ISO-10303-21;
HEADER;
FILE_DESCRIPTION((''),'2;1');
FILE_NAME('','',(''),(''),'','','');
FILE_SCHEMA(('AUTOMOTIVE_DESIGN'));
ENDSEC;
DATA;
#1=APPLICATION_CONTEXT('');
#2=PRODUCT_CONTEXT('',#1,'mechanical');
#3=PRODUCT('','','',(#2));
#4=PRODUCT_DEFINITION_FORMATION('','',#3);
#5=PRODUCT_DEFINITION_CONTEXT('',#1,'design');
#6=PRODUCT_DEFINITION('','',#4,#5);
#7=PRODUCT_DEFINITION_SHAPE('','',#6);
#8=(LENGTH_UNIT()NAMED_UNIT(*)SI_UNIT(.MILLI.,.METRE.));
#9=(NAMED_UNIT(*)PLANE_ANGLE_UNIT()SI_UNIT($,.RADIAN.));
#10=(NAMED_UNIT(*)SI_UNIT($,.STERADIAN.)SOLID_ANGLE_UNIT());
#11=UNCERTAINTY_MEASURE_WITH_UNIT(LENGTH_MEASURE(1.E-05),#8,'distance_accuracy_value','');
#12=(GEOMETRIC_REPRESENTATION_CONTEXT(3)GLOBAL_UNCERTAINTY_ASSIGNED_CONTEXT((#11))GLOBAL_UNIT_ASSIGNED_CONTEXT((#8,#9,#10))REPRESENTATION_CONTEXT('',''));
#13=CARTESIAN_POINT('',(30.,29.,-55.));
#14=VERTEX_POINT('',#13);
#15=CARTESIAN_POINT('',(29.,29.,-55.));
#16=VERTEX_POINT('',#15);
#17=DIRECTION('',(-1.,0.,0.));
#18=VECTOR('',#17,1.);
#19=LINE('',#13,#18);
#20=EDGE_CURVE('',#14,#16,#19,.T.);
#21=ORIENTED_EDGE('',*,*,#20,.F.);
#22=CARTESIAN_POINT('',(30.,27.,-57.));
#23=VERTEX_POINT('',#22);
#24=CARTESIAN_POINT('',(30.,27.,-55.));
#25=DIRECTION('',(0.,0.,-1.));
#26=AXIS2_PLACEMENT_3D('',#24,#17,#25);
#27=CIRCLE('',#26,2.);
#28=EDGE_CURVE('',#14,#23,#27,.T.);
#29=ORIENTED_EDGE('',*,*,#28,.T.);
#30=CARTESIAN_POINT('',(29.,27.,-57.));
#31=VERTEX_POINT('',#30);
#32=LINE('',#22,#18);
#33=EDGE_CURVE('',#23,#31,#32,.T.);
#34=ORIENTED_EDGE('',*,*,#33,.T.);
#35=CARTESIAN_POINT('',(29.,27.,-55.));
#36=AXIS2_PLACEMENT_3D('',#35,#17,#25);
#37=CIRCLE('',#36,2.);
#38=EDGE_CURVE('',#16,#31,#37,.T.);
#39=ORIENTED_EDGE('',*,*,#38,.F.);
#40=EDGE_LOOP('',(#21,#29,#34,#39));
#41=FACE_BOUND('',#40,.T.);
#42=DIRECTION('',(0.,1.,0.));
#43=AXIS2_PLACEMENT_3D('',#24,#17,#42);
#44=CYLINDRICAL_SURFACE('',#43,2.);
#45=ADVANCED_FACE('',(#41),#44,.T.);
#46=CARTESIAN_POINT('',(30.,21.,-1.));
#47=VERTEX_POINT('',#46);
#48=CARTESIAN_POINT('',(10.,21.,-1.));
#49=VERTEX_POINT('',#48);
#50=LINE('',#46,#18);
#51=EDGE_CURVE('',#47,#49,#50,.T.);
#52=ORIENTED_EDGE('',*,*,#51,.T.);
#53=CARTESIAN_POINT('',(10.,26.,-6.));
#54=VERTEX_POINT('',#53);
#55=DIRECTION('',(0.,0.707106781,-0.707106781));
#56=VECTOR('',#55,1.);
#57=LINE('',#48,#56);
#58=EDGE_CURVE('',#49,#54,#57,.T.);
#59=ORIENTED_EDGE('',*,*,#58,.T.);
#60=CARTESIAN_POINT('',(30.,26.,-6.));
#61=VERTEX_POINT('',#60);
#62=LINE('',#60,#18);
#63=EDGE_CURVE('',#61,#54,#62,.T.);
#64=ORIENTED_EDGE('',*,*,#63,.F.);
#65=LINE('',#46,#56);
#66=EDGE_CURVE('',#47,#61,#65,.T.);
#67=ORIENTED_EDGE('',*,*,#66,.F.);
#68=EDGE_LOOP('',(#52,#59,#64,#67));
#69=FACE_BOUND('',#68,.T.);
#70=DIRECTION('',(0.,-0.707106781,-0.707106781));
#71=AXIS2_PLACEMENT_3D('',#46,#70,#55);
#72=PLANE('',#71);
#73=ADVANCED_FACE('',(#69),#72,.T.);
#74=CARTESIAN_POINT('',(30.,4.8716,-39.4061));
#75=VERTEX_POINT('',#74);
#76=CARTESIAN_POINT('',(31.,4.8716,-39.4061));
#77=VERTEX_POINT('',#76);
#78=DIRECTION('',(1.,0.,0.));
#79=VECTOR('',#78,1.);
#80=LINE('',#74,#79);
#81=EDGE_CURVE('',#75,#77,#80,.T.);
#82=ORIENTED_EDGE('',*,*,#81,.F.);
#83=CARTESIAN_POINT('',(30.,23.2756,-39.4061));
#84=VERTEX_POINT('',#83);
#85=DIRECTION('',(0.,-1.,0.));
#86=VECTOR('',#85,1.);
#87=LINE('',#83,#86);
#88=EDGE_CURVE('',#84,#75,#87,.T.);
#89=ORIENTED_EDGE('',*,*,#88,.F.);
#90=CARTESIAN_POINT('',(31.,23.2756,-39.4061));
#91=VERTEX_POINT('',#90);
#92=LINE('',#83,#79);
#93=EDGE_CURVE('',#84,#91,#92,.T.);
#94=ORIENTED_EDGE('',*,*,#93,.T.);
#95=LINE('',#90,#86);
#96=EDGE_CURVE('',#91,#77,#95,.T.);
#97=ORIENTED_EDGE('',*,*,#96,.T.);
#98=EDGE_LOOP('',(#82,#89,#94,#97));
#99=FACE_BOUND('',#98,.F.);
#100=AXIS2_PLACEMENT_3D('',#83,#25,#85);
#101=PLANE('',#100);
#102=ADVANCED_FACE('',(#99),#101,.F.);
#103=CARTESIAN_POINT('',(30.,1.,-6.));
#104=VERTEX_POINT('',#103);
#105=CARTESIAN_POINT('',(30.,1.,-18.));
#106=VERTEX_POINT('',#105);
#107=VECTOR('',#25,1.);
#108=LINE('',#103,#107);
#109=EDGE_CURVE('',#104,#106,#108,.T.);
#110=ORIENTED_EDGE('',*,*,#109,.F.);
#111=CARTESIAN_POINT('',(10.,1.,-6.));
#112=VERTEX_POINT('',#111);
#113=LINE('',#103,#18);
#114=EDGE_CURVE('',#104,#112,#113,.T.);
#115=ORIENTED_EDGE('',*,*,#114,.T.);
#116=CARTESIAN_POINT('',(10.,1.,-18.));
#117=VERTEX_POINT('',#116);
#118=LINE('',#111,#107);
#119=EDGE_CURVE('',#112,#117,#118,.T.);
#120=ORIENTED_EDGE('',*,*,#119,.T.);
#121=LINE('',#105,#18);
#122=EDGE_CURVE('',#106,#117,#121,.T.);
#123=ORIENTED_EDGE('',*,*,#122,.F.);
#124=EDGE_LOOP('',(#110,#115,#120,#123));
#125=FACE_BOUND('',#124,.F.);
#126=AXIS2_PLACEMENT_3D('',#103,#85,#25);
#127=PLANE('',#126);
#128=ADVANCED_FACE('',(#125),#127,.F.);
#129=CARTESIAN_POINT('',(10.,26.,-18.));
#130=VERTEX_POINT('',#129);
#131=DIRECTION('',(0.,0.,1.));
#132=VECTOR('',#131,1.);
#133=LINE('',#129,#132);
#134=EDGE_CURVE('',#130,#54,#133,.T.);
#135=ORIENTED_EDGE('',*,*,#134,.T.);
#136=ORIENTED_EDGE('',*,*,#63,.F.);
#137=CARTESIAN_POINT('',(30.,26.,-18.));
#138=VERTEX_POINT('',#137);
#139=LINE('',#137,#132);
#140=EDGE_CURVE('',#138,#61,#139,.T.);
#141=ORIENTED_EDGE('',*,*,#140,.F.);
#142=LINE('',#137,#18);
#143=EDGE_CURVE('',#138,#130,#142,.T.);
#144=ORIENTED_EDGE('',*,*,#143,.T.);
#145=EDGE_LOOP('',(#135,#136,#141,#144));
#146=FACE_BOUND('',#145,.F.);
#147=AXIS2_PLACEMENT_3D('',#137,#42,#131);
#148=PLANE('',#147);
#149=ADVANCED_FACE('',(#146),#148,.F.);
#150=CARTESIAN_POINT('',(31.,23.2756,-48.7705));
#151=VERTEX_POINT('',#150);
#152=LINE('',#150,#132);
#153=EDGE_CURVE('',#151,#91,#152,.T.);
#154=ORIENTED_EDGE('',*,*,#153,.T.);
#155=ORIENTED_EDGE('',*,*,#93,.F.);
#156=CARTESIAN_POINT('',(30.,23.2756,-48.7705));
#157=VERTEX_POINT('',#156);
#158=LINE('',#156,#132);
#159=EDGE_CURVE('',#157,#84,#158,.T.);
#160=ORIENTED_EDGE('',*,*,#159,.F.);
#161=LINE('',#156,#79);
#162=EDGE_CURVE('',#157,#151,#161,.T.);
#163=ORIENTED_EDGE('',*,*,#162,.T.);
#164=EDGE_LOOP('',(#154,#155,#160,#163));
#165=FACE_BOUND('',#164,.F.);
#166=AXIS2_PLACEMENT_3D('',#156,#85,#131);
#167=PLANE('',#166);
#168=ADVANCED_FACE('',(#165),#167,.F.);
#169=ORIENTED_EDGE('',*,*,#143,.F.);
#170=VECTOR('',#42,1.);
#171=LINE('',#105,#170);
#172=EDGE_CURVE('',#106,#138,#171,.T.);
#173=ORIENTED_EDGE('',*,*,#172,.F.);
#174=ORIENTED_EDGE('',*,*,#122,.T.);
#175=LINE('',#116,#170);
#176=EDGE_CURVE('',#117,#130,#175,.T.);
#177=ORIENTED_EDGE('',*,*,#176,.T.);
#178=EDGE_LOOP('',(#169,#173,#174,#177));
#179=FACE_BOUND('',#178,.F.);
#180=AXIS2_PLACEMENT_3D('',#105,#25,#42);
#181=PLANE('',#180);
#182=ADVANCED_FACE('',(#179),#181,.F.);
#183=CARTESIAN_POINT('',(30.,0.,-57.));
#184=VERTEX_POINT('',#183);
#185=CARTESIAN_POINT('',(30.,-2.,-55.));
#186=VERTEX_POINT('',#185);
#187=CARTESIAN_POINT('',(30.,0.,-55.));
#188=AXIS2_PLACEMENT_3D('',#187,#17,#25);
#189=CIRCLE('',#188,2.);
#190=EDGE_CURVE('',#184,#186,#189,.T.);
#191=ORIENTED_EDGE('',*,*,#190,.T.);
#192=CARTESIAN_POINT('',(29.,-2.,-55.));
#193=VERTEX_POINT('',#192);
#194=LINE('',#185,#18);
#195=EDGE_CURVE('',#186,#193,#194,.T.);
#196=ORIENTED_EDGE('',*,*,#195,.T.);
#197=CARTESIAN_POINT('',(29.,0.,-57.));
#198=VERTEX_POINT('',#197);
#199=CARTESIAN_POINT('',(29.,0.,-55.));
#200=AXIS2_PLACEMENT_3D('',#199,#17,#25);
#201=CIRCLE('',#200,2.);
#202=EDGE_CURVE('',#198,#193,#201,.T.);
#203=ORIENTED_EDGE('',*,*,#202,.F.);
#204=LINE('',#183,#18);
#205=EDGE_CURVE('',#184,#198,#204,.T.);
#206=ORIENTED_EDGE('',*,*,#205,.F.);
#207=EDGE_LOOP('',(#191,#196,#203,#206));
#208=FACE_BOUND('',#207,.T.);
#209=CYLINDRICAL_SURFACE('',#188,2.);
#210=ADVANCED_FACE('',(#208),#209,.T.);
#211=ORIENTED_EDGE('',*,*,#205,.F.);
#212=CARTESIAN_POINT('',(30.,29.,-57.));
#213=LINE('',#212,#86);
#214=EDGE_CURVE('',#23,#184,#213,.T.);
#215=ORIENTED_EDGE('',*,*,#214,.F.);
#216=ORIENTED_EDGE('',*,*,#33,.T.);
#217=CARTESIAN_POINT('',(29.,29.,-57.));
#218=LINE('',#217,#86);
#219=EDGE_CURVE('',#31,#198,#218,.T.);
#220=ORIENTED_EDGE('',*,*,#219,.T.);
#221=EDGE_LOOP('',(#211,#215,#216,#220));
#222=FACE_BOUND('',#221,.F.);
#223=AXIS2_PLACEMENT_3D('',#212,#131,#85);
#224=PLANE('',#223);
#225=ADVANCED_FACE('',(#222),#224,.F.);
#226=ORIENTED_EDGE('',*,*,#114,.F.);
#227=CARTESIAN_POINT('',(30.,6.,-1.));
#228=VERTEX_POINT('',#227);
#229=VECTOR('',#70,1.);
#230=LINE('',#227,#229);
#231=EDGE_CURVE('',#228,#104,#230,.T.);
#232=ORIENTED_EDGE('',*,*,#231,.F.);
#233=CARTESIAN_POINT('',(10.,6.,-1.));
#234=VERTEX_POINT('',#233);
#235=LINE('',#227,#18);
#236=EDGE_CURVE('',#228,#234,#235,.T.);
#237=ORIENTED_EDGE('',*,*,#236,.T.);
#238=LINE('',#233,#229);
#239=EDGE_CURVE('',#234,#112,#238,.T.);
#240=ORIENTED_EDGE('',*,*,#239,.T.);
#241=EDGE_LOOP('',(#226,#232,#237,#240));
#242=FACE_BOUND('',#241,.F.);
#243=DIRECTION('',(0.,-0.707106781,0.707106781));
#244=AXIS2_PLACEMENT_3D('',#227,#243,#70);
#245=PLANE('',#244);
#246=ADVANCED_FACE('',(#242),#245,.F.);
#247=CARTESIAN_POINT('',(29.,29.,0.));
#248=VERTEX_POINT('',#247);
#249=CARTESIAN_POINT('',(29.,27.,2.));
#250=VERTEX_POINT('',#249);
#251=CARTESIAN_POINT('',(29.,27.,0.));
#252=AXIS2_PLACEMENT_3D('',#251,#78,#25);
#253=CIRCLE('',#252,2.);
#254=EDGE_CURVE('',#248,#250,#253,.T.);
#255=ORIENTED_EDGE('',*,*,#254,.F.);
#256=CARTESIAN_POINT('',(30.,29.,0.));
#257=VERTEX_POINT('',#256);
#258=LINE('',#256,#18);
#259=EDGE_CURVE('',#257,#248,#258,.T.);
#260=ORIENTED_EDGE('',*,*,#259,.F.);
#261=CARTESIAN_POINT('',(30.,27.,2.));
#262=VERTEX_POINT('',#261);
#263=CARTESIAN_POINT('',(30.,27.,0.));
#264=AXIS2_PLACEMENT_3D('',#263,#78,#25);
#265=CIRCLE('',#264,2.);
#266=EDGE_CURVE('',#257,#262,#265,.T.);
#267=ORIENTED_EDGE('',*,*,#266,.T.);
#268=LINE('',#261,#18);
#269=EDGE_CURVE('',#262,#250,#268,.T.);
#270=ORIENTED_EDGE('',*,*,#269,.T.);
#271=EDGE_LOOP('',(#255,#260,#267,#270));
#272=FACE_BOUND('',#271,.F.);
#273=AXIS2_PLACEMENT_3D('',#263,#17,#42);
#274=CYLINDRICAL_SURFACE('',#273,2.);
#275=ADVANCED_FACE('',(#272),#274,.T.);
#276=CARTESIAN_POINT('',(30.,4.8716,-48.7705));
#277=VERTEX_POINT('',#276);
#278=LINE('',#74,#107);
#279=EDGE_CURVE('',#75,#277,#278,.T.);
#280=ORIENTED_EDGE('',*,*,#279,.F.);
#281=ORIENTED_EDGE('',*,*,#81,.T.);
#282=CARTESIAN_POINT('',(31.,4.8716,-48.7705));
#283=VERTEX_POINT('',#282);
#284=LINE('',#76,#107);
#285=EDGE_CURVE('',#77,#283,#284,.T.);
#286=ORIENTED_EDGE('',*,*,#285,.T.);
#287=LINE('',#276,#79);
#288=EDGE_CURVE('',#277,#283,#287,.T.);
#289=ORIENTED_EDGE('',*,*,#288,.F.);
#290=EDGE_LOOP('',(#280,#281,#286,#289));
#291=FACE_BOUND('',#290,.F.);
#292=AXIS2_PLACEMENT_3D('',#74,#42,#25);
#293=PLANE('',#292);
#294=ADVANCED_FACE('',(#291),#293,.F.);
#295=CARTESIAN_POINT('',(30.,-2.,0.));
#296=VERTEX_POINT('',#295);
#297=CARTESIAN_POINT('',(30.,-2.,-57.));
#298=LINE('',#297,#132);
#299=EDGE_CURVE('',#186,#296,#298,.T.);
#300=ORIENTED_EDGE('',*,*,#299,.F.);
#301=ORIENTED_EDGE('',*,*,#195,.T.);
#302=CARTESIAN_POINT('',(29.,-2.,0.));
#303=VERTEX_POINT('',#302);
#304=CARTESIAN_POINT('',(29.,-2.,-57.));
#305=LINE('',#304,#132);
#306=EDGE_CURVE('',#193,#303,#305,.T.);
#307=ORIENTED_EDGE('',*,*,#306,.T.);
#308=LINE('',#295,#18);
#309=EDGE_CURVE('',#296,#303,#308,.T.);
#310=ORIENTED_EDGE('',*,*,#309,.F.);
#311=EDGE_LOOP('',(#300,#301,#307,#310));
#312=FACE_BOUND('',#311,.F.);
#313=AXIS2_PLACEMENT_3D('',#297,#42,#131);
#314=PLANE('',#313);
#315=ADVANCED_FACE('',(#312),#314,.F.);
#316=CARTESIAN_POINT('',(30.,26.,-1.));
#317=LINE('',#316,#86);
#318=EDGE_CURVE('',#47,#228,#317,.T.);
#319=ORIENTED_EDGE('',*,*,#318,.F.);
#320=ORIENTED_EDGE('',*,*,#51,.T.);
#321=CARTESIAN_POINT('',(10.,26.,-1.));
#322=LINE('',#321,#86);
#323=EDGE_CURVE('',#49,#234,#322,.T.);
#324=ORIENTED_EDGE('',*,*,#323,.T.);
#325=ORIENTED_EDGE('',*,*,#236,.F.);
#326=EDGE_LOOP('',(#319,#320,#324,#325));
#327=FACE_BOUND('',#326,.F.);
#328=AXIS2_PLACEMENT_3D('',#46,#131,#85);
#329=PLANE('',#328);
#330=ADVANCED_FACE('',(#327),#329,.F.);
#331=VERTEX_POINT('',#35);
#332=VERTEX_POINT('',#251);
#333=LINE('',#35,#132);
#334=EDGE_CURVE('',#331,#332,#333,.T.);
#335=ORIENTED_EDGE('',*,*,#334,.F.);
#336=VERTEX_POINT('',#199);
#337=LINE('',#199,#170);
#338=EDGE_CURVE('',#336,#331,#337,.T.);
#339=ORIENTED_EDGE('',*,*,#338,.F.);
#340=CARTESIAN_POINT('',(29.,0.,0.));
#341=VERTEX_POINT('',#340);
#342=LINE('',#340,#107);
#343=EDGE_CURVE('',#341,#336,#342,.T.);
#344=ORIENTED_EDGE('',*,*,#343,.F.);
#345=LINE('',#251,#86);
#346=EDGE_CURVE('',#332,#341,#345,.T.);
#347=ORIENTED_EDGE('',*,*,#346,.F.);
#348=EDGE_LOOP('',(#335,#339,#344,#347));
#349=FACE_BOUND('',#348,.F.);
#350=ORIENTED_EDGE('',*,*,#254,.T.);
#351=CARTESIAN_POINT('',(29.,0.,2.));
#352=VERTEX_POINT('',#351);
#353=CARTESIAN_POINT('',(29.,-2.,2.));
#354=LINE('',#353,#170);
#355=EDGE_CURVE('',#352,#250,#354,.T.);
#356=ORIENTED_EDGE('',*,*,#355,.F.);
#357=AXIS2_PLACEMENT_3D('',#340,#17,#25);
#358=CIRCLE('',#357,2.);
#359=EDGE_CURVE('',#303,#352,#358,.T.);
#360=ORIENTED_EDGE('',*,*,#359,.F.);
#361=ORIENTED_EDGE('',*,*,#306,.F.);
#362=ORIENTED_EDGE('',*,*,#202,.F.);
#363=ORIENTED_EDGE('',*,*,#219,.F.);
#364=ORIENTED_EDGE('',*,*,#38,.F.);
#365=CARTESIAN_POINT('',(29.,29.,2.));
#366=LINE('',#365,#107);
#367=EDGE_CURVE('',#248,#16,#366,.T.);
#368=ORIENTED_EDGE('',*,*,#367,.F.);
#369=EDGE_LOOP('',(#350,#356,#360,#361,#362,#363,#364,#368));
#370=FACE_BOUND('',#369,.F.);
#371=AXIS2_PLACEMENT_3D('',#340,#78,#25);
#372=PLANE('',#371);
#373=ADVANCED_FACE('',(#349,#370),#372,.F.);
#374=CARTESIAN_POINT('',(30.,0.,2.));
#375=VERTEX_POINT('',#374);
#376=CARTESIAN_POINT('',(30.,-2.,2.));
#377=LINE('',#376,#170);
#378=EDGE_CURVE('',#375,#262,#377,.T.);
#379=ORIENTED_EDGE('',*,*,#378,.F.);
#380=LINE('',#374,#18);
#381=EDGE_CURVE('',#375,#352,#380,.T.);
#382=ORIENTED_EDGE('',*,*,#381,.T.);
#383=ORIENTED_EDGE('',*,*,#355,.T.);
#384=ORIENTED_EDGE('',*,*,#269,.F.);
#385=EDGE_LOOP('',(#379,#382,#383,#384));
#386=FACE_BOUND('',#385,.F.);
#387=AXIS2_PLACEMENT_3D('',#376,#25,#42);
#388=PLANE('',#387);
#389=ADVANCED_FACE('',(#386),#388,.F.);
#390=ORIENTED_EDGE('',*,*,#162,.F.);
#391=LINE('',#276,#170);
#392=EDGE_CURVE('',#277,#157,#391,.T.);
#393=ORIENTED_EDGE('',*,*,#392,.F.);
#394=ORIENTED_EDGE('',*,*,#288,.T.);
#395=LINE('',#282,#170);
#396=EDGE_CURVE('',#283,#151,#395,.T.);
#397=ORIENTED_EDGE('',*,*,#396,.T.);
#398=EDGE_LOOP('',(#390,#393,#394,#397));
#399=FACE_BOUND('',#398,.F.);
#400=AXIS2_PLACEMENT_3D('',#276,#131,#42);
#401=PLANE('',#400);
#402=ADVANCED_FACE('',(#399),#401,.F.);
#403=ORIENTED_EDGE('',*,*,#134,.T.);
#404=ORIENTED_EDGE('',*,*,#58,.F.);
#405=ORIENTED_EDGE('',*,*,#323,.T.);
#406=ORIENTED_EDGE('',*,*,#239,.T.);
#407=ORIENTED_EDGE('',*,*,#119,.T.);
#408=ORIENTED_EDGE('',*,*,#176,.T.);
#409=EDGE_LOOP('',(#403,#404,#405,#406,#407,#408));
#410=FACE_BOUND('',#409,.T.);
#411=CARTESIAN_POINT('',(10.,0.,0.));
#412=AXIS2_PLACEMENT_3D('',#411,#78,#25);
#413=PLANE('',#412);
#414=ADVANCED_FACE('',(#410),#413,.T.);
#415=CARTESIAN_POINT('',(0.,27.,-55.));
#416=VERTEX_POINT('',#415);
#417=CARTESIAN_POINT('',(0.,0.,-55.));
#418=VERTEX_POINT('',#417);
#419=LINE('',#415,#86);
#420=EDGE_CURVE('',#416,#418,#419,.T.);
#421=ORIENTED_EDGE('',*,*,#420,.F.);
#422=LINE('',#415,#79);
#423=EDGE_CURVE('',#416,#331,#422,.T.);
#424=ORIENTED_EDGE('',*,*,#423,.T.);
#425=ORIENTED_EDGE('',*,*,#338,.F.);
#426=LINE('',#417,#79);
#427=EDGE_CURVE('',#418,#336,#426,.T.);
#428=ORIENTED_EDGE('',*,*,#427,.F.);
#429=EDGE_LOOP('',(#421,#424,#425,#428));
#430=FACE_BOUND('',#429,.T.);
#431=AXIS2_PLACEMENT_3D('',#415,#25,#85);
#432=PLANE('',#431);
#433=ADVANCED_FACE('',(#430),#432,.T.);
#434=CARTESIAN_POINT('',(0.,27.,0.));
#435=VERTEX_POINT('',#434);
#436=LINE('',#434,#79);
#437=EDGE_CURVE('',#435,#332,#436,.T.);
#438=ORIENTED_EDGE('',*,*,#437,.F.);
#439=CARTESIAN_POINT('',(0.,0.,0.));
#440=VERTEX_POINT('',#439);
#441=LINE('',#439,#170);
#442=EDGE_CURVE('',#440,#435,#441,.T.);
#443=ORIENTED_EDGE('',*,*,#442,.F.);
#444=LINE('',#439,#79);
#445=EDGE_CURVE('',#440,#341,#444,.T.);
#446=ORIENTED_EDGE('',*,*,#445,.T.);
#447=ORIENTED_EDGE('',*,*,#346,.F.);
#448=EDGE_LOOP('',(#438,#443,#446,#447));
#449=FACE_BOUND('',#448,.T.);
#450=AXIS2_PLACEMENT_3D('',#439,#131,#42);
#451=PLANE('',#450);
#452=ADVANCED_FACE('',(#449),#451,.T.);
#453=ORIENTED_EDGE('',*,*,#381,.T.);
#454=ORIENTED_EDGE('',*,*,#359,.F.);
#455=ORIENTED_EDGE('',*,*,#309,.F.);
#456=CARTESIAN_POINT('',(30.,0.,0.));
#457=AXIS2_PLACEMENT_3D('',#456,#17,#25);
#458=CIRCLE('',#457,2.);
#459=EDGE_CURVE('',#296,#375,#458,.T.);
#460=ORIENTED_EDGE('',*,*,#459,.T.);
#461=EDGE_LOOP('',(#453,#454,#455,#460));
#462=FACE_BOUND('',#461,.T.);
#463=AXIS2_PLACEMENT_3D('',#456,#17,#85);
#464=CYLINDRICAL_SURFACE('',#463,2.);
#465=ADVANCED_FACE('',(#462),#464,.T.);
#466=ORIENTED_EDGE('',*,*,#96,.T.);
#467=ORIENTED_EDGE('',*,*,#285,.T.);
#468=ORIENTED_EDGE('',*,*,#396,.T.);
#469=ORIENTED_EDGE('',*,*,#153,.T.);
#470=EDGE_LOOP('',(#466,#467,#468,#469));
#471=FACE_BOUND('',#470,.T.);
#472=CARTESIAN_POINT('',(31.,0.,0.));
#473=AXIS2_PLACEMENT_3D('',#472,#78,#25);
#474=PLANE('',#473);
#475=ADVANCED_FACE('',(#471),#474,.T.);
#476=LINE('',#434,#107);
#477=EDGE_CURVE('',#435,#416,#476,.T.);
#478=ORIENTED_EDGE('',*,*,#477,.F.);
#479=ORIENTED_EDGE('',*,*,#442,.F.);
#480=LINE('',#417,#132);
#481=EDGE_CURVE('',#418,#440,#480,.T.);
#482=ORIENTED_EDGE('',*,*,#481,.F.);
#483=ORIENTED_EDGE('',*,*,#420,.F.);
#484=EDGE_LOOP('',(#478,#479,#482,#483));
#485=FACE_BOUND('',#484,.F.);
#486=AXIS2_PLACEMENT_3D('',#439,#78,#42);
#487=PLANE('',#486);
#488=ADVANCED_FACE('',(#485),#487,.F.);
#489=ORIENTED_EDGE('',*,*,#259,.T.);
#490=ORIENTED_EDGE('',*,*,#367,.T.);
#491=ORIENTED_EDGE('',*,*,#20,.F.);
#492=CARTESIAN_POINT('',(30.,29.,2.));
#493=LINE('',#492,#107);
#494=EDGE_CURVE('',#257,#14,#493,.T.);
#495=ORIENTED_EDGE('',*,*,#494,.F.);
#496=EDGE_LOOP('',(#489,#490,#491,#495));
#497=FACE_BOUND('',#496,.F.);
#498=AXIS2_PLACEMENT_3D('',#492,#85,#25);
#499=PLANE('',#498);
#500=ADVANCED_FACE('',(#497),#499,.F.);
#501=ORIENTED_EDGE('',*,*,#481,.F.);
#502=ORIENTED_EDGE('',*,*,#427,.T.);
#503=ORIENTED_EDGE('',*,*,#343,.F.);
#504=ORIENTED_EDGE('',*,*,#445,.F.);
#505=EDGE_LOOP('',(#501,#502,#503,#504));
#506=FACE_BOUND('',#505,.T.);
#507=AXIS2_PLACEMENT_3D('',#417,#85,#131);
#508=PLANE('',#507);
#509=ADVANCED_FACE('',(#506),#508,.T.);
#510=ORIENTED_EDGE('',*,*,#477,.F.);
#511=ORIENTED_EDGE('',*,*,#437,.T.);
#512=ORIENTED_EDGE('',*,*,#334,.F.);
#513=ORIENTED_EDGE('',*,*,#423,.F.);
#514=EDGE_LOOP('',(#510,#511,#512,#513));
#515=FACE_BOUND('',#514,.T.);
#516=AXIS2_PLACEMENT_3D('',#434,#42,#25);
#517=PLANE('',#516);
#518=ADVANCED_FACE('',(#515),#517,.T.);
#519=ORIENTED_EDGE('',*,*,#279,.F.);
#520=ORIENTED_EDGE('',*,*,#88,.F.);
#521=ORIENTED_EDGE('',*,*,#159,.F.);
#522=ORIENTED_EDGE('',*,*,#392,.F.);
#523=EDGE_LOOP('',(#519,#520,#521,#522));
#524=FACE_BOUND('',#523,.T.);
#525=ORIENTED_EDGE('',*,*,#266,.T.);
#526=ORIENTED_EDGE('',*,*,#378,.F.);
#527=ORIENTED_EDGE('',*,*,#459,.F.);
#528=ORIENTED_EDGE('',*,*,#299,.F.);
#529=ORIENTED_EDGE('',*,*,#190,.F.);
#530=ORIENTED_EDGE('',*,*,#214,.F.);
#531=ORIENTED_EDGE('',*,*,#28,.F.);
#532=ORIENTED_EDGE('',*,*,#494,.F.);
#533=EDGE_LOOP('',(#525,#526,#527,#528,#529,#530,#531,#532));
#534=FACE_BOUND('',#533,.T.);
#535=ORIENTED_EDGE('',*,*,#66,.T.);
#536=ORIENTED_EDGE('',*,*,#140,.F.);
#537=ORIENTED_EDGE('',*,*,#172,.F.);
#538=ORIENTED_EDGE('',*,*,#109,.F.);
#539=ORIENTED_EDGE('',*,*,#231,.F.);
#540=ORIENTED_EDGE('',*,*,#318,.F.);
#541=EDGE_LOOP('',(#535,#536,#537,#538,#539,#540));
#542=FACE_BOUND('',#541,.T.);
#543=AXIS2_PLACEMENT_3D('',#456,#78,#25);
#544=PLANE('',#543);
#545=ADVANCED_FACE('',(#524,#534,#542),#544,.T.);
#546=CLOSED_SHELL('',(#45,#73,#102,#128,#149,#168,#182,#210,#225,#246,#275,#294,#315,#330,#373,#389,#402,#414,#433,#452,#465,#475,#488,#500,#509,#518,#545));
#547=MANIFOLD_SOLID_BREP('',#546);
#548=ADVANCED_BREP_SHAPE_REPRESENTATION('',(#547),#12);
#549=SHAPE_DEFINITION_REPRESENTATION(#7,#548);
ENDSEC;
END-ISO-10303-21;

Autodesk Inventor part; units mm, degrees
ref_plane "YZ Plane" through (0, 0, 0) normal (1, 0, 0) x (0, 1, 0)
ref_plane "XZ Plane" through (0, 0, 0) normal (0, 1, 0) x (-1, 0, 0)
ref_plane "XY Plane" through (0, 0, 0) normal (0, 0, 1) x (1, 0, 0)
sketch "Sketch1" plane through (0, 0, 0) normal (1, 0, 0) x (0, 1, 0)
  line L0 (0, 0) -> (27, 0)
  line L1 (27, 0) -> (27, -55)
  line L2 (27, -55) -> (0, -55)
  line L3 (0, -55) -> (0, 0)
  dimension "d0" = 27
  dimension "d1" = 55
extrude "Extrusion1" add sketch "Sketch1" along normal blind 30
sketch "Sketch2" plane through (30, 0, 0) normal (1, 0, 0) x (0, 0, -1)
  line L0 (-2, 29) -> (57, 29)
  line L1 (57, 29) -> (57, -2)
  line L2 (57, -2) -> (-2, -2)
  line L3 (-2, -2) -> (-2, 29)
  line L4 (0, 27) -> (0, 0) projected
  line L5 (55, 27) -> (0, 27) projected
  line L6 (0, 0) -> (55, 0) projected
  line L7 (55, 0) -> (55, 27) projected
  dimension "d4" = 2
  dimension "d5" = 2
  dimension "d6" = 2
  dimension "d7" = 2
extrude "Extrusion2" add sketch "Sketch2" against normal blind 1
fillet "Fillet1" radius 2 4 edges at (29.5, 29, 2) (29.5, 29, -57) (29.5, -2, -57) (29.5, -2, 2)
sketch "Sketch3" plane through (30, 0, 0) normal (1, 0, 0) x (0, 0, -1)
  line L0 (6, 1) -> (18, 1)
  line L1 (18, 1) -> (18, 26)
  line L2 (18, 26) -> (6, 26)
  line L3 (1, 26) -> (1, 1)
  line L4 (0, 29) -> (55, 29) projected
  line L5 (55, -2) -> (0, -2) projected
  line L6 (1, 21) -> (6, 26)
  line L7 (1, 6) -> (6, 1)
  line L8 (-2, 0) -> (-2, 27) projected
  point P0 (0, 0)
  dimension "d11" = 17
  dimension "d12" = 25
  dimension "d13" = 31
  dimension "d14" = 3
  dimension "d15" = 3
  dimension "d16" = 5
  dimension "d17" = 5
  dimension "d18" = 5
  dimension "d19" = 5
extrude "Extrusion3" cut sketch "Sketch3" against normal blind 20
sketch "Sketch4" plane through (30, 0, 0) normal (1, 0, 0) x (0, 0, -1)
  line L0 (48.7705, 23.2756) -> (39.4061, 23.2756)
  line L1 (39.4061, 23.2756) -> (39.4061, 4.8716)
  line L2 (39.4061, 4.8716) -> (48.7705, 4.8716)
  line L3 (48.7705, 4.8716) -> (48.7705, 23.2756)
  point P0 (0, 0)
extrude "Extrusion4" add sketch "Sketch4" along normal blind 1
equation "\"d14\" = -0.5 * d12 + 0.5 * d13"
properties part number "power"
